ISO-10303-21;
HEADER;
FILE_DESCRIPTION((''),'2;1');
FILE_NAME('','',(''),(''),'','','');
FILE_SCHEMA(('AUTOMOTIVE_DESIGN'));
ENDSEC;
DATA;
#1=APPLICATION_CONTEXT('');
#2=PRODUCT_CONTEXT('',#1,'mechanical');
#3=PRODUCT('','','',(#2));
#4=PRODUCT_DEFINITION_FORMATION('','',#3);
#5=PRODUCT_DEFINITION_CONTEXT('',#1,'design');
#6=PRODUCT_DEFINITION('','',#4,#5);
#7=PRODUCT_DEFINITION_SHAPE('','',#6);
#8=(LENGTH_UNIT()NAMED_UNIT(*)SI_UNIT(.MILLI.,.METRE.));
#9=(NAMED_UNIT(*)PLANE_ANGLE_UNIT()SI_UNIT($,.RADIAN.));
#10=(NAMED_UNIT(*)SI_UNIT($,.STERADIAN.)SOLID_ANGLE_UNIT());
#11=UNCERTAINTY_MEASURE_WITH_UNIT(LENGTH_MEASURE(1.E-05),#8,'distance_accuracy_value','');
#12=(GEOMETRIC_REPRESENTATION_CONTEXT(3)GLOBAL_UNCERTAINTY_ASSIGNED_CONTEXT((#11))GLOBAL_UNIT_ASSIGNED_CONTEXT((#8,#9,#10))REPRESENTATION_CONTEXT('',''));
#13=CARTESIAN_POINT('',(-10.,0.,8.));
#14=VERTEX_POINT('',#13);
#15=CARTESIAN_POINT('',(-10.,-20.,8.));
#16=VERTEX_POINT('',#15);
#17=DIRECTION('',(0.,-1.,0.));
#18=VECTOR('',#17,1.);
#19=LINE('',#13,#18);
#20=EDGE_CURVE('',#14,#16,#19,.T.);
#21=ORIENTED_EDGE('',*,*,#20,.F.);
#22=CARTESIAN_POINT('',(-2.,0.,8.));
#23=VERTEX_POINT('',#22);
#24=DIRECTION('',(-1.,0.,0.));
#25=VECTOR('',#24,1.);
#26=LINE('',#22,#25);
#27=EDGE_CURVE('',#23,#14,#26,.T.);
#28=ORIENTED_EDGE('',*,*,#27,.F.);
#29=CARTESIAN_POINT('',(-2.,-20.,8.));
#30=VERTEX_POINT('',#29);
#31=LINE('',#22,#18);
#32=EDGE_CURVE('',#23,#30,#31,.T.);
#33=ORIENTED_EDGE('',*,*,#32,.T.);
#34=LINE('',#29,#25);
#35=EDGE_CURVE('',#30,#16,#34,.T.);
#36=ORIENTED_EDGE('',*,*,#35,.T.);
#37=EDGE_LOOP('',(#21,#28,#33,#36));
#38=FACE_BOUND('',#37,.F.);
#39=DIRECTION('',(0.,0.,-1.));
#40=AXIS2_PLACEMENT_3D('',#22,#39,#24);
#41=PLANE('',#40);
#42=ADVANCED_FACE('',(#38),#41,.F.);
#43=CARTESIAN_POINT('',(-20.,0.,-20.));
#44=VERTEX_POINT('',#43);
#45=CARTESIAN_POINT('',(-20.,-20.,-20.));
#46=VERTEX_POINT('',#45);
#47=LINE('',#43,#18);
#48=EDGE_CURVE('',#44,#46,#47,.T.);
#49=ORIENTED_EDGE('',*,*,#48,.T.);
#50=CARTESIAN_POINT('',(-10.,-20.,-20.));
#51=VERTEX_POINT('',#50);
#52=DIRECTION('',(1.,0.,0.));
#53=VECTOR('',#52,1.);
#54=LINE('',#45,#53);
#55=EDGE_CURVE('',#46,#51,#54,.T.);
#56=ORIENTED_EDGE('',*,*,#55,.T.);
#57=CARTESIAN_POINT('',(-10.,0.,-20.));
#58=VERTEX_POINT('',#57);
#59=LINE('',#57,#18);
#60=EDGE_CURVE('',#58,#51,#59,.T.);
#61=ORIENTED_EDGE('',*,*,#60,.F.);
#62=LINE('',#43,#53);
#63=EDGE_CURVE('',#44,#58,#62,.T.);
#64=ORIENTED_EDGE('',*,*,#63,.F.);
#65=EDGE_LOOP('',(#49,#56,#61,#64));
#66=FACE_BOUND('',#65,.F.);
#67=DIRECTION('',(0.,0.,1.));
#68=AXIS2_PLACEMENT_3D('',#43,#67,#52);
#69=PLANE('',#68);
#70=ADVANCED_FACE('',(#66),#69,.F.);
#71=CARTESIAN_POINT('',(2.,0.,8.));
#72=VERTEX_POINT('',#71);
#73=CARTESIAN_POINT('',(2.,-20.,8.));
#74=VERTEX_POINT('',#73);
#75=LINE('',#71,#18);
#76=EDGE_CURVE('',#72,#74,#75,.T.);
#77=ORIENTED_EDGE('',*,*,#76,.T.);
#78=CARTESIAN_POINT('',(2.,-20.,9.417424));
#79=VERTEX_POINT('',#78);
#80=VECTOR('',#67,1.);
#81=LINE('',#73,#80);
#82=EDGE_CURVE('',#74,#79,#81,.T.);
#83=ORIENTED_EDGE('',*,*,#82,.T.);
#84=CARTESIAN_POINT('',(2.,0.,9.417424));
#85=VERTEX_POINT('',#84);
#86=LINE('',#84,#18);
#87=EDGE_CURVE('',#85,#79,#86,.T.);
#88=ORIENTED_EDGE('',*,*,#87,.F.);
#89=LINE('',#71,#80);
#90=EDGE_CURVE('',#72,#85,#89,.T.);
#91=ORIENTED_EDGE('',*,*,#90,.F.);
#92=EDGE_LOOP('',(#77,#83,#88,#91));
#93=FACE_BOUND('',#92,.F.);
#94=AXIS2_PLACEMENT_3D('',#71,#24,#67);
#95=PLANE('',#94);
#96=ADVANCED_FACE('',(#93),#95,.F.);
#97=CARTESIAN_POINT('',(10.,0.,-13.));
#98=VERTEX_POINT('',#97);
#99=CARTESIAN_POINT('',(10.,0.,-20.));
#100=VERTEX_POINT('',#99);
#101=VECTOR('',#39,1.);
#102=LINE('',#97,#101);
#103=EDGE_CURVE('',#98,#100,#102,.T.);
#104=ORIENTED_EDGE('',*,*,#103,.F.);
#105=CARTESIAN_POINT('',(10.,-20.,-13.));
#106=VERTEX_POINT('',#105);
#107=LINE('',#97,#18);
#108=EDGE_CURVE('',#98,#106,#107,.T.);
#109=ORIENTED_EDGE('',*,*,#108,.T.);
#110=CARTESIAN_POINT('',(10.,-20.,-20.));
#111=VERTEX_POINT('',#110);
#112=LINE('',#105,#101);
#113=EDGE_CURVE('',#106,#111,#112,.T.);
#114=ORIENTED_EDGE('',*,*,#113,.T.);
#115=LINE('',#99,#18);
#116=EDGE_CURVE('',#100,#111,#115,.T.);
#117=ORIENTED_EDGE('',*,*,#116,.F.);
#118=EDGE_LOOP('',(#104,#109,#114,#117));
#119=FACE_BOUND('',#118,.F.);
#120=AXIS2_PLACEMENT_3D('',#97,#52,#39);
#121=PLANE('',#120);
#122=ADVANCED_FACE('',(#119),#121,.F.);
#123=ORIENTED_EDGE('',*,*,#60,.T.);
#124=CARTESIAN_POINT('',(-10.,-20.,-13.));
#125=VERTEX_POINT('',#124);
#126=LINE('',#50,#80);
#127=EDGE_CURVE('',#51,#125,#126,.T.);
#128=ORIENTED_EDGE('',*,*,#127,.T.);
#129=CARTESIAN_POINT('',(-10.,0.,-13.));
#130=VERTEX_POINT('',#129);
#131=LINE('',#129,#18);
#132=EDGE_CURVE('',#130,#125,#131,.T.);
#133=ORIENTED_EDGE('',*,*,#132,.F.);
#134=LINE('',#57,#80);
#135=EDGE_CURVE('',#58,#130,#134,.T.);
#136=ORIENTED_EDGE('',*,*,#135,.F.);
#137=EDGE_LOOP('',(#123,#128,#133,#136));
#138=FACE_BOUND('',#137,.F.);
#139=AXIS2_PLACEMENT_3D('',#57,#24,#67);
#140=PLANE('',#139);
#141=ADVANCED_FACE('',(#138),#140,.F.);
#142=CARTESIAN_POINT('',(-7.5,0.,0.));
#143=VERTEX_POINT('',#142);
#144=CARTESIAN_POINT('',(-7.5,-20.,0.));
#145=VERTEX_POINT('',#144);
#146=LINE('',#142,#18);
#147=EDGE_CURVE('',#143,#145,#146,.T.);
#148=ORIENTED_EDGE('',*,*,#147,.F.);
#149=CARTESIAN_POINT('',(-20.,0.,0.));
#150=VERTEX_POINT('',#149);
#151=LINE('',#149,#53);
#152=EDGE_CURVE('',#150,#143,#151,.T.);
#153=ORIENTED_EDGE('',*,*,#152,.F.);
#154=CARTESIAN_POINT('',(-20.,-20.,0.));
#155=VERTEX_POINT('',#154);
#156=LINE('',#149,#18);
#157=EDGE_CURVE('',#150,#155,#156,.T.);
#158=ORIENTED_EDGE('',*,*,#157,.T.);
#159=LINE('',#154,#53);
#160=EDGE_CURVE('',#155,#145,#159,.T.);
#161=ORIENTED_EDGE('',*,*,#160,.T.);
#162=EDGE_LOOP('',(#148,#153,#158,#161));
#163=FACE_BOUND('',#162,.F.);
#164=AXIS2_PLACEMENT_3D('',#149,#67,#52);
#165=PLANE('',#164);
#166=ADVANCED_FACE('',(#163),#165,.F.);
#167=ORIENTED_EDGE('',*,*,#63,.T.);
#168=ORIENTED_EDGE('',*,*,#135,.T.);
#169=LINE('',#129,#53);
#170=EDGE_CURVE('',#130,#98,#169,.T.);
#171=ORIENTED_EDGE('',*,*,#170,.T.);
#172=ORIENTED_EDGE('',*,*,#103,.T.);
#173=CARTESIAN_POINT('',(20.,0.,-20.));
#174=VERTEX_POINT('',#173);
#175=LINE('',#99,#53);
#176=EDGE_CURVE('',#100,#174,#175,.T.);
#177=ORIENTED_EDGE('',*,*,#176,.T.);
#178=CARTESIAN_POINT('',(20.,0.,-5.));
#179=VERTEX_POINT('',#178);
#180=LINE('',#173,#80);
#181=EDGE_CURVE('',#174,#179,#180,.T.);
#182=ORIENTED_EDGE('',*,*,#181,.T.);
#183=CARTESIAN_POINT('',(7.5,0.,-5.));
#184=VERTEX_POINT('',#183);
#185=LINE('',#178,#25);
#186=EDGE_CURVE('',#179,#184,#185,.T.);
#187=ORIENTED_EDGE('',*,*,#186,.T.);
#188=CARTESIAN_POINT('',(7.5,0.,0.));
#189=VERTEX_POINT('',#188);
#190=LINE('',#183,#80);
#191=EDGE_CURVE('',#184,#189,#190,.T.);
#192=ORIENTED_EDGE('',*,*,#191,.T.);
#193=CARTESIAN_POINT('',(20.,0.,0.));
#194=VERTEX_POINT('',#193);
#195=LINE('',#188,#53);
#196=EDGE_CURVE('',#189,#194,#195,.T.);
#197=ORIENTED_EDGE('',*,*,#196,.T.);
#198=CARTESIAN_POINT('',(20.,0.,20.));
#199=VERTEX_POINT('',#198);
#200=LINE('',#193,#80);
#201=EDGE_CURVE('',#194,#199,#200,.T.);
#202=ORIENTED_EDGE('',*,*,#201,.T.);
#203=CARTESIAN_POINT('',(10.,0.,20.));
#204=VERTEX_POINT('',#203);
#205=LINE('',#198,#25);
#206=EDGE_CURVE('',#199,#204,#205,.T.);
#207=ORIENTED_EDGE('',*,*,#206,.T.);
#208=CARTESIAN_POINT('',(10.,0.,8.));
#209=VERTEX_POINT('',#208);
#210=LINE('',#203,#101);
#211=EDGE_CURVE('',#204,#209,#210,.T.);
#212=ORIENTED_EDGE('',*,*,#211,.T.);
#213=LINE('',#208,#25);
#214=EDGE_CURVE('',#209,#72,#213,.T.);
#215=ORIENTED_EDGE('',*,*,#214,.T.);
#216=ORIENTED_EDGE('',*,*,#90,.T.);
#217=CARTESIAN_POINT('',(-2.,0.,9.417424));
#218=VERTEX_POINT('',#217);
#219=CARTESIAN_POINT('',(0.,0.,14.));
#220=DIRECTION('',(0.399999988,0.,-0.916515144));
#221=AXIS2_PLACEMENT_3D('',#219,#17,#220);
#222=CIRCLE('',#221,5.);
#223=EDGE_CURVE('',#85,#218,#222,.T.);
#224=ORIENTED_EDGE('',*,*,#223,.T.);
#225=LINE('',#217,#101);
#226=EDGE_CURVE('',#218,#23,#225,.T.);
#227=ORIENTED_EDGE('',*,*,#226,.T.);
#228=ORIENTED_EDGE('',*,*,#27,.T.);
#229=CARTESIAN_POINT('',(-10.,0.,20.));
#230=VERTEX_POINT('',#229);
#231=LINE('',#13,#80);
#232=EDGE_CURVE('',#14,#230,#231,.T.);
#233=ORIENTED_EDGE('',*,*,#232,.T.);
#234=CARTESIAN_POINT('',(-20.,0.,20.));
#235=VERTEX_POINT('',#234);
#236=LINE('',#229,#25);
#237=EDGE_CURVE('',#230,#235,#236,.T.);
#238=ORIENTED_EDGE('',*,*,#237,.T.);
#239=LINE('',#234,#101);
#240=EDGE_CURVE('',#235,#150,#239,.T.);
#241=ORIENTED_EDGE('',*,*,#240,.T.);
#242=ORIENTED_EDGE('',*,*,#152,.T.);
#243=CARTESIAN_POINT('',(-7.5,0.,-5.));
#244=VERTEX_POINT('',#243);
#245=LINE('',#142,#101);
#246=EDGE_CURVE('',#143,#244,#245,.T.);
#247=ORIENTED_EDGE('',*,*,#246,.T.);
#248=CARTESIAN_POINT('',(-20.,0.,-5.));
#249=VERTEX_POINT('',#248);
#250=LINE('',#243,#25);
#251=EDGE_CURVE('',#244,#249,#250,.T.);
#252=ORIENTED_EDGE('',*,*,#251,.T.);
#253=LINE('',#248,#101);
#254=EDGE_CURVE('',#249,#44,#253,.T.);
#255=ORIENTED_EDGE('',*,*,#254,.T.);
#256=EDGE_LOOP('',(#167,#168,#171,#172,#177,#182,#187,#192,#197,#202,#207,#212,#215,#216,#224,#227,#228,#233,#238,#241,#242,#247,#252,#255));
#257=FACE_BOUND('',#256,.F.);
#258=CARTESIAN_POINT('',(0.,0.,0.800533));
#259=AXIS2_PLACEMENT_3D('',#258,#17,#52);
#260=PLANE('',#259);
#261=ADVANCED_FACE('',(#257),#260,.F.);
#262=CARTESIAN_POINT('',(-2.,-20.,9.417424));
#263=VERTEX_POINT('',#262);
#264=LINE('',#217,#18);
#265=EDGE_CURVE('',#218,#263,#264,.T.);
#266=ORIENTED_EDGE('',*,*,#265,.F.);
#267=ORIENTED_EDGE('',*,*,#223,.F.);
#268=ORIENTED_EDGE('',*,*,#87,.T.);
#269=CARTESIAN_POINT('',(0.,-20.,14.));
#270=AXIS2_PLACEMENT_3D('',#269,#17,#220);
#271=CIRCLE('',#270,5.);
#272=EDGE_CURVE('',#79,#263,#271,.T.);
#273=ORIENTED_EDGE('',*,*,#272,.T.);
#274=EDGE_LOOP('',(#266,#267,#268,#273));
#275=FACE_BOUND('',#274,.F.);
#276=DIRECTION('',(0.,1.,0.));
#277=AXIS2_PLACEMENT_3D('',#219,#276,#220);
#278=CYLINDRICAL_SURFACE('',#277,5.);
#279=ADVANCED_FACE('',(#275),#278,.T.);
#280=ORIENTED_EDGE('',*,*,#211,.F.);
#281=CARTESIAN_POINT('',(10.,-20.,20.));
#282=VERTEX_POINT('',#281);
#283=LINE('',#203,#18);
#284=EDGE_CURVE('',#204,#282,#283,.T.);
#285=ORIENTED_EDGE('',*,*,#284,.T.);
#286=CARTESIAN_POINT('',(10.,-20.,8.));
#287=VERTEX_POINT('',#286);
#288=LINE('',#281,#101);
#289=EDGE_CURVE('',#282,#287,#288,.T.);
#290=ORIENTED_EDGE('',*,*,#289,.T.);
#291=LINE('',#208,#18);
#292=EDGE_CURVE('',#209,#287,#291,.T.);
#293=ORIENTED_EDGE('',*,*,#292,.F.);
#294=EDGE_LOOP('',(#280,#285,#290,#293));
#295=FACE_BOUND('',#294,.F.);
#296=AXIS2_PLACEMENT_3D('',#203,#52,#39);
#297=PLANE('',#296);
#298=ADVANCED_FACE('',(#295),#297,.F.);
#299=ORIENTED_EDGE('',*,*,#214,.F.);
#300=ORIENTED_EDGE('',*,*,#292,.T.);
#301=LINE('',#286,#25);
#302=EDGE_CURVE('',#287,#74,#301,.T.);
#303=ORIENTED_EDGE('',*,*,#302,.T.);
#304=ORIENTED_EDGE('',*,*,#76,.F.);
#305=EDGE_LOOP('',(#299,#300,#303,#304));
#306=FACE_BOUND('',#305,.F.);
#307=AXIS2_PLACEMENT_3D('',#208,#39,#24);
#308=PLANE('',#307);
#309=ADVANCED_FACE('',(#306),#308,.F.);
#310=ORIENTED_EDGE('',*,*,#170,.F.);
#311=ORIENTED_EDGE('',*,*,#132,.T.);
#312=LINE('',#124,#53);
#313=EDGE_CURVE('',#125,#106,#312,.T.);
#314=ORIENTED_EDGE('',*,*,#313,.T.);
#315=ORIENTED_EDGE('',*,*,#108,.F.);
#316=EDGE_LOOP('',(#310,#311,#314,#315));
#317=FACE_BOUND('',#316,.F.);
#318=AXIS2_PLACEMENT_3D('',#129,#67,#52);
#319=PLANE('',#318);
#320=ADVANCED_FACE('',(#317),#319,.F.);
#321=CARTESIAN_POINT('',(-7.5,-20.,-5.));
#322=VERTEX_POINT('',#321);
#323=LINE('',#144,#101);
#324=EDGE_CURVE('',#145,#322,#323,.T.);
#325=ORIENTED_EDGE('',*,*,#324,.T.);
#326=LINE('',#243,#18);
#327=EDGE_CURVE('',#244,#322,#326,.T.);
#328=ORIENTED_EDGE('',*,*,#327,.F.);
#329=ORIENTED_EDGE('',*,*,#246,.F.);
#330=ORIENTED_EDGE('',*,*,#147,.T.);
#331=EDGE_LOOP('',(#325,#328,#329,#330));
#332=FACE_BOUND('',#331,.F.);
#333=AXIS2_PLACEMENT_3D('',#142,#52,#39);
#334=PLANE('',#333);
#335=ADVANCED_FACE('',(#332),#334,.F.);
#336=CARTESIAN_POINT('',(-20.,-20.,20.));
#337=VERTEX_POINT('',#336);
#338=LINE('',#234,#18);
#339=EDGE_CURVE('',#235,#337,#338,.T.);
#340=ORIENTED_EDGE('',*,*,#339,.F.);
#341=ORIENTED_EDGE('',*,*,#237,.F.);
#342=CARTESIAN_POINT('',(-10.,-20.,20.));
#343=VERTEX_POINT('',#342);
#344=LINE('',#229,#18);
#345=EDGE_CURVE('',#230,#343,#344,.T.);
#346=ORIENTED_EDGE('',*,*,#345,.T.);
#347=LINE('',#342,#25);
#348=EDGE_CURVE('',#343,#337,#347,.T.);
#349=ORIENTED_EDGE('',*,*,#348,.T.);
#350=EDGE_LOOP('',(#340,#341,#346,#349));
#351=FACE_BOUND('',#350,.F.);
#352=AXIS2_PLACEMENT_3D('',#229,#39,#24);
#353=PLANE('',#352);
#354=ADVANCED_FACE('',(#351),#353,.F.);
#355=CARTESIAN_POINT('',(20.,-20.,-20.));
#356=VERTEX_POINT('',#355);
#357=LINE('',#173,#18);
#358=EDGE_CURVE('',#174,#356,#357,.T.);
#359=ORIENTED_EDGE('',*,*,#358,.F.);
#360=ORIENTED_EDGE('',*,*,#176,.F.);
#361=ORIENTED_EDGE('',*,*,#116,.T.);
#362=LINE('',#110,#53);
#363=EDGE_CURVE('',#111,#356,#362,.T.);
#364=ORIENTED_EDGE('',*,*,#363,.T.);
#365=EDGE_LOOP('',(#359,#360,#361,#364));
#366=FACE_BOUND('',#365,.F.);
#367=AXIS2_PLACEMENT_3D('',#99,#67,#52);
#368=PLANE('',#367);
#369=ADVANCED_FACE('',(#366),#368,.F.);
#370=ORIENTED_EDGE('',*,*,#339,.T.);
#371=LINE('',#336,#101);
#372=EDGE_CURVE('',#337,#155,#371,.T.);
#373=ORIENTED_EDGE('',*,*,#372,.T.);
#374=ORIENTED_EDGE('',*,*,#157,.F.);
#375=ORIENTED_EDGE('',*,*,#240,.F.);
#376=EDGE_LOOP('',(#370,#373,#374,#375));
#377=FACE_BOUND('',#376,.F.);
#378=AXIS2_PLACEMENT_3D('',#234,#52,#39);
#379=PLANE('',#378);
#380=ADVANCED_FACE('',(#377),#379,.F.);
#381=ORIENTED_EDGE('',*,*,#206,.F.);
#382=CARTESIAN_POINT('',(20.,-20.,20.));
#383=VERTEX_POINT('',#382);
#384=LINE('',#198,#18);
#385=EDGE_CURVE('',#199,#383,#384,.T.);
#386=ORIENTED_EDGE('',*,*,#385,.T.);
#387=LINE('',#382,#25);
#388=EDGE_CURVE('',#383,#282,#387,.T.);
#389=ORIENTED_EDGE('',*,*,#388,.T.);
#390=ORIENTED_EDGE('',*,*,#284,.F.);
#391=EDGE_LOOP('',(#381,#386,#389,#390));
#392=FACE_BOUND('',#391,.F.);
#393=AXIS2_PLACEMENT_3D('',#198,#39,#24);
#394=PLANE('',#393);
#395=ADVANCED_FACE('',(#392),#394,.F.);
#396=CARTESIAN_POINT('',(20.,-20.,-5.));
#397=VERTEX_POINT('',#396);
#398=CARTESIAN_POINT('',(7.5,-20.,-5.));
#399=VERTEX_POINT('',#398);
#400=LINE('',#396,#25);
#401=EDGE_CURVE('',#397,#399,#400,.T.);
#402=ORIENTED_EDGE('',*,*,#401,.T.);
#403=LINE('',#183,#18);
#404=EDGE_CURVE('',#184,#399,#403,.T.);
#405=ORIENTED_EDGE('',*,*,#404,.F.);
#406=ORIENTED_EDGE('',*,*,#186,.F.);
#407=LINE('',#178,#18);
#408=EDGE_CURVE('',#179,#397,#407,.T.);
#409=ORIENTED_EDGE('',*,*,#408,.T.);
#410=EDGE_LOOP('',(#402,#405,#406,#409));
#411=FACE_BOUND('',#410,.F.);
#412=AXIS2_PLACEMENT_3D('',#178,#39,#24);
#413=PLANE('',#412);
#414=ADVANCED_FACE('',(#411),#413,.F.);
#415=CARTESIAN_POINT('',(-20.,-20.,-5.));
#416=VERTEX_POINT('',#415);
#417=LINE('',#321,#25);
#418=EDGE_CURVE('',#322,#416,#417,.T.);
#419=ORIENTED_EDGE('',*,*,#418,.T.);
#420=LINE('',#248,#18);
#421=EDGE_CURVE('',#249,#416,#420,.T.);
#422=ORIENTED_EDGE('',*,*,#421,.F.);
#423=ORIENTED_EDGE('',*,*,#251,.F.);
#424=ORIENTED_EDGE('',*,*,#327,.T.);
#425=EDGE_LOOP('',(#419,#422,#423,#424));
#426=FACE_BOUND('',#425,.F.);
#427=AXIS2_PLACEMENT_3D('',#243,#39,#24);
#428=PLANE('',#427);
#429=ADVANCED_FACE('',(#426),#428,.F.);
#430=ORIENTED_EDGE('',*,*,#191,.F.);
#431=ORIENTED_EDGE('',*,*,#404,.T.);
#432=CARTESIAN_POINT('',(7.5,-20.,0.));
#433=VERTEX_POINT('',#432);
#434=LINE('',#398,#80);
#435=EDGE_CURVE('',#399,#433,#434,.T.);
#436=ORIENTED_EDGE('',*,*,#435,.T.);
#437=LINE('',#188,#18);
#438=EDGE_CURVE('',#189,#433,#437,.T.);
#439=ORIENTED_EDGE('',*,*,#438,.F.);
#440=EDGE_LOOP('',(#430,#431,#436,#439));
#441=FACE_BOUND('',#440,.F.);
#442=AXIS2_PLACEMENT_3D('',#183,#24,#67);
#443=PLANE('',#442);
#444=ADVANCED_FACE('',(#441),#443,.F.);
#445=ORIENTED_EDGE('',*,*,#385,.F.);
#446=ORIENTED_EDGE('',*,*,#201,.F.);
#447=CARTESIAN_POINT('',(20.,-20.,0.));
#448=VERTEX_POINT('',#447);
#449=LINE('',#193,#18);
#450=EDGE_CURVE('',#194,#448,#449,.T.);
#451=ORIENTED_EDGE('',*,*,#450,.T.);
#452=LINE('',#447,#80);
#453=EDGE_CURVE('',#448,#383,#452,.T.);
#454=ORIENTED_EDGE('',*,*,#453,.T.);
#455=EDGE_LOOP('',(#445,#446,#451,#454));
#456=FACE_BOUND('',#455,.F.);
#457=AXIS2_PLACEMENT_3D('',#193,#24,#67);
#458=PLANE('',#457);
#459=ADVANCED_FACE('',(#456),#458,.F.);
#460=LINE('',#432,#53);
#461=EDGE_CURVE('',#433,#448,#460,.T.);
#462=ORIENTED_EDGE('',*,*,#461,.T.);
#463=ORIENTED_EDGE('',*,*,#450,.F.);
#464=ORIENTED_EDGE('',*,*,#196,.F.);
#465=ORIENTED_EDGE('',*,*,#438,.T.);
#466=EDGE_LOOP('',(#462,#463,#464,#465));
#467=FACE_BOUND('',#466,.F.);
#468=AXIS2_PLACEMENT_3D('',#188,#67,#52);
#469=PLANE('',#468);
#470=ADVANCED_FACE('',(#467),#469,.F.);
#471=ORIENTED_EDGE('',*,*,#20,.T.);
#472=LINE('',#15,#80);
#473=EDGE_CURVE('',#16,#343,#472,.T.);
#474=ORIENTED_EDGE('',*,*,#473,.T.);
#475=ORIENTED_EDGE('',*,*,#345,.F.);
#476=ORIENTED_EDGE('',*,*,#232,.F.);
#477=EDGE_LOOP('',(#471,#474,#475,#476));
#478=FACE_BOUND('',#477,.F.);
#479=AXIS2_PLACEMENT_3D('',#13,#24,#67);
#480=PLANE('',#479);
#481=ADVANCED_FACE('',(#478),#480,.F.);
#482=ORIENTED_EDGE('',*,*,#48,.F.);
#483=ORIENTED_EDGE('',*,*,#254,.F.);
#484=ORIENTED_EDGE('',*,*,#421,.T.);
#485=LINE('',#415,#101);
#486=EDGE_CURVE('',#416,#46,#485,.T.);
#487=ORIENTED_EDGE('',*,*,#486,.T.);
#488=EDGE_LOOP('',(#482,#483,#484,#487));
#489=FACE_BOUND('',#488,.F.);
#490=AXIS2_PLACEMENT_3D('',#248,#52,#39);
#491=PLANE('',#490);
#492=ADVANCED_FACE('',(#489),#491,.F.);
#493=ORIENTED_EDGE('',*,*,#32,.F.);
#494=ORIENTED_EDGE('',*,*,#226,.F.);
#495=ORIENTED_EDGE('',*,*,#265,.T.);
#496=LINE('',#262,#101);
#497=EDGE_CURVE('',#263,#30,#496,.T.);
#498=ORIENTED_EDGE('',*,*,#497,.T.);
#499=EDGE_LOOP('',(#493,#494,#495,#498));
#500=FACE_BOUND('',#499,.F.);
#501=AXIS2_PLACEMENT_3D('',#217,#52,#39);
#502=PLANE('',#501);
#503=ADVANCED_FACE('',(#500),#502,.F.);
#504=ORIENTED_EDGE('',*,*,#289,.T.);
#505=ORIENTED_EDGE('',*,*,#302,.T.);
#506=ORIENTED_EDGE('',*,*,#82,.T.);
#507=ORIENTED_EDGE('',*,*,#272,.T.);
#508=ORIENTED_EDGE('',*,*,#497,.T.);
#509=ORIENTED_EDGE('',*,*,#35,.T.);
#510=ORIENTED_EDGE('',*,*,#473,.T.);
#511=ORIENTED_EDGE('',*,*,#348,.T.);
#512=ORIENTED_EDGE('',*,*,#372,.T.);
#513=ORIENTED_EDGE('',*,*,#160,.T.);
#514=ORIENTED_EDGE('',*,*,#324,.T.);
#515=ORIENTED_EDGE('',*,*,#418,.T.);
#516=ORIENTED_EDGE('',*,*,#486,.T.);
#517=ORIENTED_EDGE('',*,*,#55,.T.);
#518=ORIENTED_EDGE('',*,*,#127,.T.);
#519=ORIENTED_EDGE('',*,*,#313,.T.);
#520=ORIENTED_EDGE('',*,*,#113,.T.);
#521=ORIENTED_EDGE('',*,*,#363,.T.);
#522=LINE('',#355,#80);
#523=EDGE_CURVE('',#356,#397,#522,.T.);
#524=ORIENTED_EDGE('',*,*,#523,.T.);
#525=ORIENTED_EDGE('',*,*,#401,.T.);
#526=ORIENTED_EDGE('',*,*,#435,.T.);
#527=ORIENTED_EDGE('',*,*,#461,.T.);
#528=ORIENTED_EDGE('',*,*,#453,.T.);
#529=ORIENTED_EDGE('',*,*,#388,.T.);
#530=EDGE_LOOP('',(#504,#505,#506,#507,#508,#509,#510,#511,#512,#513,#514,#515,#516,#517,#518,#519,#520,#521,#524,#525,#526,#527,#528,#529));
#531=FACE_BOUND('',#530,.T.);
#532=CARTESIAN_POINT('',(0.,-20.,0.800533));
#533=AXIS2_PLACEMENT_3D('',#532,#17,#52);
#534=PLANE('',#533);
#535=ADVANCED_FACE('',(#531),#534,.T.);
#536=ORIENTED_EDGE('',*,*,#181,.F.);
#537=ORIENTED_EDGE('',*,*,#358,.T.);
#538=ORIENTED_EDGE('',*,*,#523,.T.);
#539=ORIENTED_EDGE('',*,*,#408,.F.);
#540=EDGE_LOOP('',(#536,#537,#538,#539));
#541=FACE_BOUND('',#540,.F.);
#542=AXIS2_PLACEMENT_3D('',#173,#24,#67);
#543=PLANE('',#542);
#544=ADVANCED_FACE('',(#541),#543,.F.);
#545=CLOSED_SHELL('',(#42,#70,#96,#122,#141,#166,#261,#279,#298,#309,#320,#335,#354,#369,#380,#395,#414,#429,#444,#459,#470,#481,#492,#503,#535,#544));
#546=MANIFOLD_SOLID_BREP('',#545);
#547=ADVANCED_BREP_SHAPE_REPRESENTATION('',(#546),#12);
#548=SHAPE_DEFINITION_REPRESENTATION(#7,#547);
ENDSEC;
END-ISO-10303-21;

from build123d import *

# Parameters (mm, degrees)
F1_DEPTH = 20


with BuildPart() as f1:
    # F0 (on Front) → F1 (new body)
    with BuildSketch(Plane.XZ):
        with BuildLine():
            ThreePointArc((2, 9.417424), (0, 19), (-2, 9.417424))
            Line((-2, 9.417424), (-2, 8))
            Line((-2, 8), (-10, 8))
            Line((-10, 8), (-10, 20))
            Line((-10, 20), (-20, 20))
            Line((-20, 20), (-20, 0))
            Line((-20, 0), (-7.5, 0))
            Line((-7.5, 0), (-7.5, -5))
            Line((-7.5, -5), (-20, -5))
            Line((-20, -5), (-20, -20))
            Line((-20, -20), (-10, -20))
            Line((-10, -20), (-10, -13))
            Line((-10, -13), (10, -13))
            Line((10, -13), (10, -20))
            Line((10, -20), (20, -20))
            Line((20, -20), (20, -5))
            Line((20, -5), (7.5, -5))
            Line((7.5, -5), (7.5, 0))
            Line((7.5, 0), (20, 0))
            Line((20, 0), (20, 20))
            Line((20, 20), (10, 20))
            Line((10, 20), (10, 8))
            Line((10, 8), (2, 8))
            Line((2, 8), (2, 9.417424))
        make_face()
    extrude(amount=F1_DEPTH)


solid = f1.part
